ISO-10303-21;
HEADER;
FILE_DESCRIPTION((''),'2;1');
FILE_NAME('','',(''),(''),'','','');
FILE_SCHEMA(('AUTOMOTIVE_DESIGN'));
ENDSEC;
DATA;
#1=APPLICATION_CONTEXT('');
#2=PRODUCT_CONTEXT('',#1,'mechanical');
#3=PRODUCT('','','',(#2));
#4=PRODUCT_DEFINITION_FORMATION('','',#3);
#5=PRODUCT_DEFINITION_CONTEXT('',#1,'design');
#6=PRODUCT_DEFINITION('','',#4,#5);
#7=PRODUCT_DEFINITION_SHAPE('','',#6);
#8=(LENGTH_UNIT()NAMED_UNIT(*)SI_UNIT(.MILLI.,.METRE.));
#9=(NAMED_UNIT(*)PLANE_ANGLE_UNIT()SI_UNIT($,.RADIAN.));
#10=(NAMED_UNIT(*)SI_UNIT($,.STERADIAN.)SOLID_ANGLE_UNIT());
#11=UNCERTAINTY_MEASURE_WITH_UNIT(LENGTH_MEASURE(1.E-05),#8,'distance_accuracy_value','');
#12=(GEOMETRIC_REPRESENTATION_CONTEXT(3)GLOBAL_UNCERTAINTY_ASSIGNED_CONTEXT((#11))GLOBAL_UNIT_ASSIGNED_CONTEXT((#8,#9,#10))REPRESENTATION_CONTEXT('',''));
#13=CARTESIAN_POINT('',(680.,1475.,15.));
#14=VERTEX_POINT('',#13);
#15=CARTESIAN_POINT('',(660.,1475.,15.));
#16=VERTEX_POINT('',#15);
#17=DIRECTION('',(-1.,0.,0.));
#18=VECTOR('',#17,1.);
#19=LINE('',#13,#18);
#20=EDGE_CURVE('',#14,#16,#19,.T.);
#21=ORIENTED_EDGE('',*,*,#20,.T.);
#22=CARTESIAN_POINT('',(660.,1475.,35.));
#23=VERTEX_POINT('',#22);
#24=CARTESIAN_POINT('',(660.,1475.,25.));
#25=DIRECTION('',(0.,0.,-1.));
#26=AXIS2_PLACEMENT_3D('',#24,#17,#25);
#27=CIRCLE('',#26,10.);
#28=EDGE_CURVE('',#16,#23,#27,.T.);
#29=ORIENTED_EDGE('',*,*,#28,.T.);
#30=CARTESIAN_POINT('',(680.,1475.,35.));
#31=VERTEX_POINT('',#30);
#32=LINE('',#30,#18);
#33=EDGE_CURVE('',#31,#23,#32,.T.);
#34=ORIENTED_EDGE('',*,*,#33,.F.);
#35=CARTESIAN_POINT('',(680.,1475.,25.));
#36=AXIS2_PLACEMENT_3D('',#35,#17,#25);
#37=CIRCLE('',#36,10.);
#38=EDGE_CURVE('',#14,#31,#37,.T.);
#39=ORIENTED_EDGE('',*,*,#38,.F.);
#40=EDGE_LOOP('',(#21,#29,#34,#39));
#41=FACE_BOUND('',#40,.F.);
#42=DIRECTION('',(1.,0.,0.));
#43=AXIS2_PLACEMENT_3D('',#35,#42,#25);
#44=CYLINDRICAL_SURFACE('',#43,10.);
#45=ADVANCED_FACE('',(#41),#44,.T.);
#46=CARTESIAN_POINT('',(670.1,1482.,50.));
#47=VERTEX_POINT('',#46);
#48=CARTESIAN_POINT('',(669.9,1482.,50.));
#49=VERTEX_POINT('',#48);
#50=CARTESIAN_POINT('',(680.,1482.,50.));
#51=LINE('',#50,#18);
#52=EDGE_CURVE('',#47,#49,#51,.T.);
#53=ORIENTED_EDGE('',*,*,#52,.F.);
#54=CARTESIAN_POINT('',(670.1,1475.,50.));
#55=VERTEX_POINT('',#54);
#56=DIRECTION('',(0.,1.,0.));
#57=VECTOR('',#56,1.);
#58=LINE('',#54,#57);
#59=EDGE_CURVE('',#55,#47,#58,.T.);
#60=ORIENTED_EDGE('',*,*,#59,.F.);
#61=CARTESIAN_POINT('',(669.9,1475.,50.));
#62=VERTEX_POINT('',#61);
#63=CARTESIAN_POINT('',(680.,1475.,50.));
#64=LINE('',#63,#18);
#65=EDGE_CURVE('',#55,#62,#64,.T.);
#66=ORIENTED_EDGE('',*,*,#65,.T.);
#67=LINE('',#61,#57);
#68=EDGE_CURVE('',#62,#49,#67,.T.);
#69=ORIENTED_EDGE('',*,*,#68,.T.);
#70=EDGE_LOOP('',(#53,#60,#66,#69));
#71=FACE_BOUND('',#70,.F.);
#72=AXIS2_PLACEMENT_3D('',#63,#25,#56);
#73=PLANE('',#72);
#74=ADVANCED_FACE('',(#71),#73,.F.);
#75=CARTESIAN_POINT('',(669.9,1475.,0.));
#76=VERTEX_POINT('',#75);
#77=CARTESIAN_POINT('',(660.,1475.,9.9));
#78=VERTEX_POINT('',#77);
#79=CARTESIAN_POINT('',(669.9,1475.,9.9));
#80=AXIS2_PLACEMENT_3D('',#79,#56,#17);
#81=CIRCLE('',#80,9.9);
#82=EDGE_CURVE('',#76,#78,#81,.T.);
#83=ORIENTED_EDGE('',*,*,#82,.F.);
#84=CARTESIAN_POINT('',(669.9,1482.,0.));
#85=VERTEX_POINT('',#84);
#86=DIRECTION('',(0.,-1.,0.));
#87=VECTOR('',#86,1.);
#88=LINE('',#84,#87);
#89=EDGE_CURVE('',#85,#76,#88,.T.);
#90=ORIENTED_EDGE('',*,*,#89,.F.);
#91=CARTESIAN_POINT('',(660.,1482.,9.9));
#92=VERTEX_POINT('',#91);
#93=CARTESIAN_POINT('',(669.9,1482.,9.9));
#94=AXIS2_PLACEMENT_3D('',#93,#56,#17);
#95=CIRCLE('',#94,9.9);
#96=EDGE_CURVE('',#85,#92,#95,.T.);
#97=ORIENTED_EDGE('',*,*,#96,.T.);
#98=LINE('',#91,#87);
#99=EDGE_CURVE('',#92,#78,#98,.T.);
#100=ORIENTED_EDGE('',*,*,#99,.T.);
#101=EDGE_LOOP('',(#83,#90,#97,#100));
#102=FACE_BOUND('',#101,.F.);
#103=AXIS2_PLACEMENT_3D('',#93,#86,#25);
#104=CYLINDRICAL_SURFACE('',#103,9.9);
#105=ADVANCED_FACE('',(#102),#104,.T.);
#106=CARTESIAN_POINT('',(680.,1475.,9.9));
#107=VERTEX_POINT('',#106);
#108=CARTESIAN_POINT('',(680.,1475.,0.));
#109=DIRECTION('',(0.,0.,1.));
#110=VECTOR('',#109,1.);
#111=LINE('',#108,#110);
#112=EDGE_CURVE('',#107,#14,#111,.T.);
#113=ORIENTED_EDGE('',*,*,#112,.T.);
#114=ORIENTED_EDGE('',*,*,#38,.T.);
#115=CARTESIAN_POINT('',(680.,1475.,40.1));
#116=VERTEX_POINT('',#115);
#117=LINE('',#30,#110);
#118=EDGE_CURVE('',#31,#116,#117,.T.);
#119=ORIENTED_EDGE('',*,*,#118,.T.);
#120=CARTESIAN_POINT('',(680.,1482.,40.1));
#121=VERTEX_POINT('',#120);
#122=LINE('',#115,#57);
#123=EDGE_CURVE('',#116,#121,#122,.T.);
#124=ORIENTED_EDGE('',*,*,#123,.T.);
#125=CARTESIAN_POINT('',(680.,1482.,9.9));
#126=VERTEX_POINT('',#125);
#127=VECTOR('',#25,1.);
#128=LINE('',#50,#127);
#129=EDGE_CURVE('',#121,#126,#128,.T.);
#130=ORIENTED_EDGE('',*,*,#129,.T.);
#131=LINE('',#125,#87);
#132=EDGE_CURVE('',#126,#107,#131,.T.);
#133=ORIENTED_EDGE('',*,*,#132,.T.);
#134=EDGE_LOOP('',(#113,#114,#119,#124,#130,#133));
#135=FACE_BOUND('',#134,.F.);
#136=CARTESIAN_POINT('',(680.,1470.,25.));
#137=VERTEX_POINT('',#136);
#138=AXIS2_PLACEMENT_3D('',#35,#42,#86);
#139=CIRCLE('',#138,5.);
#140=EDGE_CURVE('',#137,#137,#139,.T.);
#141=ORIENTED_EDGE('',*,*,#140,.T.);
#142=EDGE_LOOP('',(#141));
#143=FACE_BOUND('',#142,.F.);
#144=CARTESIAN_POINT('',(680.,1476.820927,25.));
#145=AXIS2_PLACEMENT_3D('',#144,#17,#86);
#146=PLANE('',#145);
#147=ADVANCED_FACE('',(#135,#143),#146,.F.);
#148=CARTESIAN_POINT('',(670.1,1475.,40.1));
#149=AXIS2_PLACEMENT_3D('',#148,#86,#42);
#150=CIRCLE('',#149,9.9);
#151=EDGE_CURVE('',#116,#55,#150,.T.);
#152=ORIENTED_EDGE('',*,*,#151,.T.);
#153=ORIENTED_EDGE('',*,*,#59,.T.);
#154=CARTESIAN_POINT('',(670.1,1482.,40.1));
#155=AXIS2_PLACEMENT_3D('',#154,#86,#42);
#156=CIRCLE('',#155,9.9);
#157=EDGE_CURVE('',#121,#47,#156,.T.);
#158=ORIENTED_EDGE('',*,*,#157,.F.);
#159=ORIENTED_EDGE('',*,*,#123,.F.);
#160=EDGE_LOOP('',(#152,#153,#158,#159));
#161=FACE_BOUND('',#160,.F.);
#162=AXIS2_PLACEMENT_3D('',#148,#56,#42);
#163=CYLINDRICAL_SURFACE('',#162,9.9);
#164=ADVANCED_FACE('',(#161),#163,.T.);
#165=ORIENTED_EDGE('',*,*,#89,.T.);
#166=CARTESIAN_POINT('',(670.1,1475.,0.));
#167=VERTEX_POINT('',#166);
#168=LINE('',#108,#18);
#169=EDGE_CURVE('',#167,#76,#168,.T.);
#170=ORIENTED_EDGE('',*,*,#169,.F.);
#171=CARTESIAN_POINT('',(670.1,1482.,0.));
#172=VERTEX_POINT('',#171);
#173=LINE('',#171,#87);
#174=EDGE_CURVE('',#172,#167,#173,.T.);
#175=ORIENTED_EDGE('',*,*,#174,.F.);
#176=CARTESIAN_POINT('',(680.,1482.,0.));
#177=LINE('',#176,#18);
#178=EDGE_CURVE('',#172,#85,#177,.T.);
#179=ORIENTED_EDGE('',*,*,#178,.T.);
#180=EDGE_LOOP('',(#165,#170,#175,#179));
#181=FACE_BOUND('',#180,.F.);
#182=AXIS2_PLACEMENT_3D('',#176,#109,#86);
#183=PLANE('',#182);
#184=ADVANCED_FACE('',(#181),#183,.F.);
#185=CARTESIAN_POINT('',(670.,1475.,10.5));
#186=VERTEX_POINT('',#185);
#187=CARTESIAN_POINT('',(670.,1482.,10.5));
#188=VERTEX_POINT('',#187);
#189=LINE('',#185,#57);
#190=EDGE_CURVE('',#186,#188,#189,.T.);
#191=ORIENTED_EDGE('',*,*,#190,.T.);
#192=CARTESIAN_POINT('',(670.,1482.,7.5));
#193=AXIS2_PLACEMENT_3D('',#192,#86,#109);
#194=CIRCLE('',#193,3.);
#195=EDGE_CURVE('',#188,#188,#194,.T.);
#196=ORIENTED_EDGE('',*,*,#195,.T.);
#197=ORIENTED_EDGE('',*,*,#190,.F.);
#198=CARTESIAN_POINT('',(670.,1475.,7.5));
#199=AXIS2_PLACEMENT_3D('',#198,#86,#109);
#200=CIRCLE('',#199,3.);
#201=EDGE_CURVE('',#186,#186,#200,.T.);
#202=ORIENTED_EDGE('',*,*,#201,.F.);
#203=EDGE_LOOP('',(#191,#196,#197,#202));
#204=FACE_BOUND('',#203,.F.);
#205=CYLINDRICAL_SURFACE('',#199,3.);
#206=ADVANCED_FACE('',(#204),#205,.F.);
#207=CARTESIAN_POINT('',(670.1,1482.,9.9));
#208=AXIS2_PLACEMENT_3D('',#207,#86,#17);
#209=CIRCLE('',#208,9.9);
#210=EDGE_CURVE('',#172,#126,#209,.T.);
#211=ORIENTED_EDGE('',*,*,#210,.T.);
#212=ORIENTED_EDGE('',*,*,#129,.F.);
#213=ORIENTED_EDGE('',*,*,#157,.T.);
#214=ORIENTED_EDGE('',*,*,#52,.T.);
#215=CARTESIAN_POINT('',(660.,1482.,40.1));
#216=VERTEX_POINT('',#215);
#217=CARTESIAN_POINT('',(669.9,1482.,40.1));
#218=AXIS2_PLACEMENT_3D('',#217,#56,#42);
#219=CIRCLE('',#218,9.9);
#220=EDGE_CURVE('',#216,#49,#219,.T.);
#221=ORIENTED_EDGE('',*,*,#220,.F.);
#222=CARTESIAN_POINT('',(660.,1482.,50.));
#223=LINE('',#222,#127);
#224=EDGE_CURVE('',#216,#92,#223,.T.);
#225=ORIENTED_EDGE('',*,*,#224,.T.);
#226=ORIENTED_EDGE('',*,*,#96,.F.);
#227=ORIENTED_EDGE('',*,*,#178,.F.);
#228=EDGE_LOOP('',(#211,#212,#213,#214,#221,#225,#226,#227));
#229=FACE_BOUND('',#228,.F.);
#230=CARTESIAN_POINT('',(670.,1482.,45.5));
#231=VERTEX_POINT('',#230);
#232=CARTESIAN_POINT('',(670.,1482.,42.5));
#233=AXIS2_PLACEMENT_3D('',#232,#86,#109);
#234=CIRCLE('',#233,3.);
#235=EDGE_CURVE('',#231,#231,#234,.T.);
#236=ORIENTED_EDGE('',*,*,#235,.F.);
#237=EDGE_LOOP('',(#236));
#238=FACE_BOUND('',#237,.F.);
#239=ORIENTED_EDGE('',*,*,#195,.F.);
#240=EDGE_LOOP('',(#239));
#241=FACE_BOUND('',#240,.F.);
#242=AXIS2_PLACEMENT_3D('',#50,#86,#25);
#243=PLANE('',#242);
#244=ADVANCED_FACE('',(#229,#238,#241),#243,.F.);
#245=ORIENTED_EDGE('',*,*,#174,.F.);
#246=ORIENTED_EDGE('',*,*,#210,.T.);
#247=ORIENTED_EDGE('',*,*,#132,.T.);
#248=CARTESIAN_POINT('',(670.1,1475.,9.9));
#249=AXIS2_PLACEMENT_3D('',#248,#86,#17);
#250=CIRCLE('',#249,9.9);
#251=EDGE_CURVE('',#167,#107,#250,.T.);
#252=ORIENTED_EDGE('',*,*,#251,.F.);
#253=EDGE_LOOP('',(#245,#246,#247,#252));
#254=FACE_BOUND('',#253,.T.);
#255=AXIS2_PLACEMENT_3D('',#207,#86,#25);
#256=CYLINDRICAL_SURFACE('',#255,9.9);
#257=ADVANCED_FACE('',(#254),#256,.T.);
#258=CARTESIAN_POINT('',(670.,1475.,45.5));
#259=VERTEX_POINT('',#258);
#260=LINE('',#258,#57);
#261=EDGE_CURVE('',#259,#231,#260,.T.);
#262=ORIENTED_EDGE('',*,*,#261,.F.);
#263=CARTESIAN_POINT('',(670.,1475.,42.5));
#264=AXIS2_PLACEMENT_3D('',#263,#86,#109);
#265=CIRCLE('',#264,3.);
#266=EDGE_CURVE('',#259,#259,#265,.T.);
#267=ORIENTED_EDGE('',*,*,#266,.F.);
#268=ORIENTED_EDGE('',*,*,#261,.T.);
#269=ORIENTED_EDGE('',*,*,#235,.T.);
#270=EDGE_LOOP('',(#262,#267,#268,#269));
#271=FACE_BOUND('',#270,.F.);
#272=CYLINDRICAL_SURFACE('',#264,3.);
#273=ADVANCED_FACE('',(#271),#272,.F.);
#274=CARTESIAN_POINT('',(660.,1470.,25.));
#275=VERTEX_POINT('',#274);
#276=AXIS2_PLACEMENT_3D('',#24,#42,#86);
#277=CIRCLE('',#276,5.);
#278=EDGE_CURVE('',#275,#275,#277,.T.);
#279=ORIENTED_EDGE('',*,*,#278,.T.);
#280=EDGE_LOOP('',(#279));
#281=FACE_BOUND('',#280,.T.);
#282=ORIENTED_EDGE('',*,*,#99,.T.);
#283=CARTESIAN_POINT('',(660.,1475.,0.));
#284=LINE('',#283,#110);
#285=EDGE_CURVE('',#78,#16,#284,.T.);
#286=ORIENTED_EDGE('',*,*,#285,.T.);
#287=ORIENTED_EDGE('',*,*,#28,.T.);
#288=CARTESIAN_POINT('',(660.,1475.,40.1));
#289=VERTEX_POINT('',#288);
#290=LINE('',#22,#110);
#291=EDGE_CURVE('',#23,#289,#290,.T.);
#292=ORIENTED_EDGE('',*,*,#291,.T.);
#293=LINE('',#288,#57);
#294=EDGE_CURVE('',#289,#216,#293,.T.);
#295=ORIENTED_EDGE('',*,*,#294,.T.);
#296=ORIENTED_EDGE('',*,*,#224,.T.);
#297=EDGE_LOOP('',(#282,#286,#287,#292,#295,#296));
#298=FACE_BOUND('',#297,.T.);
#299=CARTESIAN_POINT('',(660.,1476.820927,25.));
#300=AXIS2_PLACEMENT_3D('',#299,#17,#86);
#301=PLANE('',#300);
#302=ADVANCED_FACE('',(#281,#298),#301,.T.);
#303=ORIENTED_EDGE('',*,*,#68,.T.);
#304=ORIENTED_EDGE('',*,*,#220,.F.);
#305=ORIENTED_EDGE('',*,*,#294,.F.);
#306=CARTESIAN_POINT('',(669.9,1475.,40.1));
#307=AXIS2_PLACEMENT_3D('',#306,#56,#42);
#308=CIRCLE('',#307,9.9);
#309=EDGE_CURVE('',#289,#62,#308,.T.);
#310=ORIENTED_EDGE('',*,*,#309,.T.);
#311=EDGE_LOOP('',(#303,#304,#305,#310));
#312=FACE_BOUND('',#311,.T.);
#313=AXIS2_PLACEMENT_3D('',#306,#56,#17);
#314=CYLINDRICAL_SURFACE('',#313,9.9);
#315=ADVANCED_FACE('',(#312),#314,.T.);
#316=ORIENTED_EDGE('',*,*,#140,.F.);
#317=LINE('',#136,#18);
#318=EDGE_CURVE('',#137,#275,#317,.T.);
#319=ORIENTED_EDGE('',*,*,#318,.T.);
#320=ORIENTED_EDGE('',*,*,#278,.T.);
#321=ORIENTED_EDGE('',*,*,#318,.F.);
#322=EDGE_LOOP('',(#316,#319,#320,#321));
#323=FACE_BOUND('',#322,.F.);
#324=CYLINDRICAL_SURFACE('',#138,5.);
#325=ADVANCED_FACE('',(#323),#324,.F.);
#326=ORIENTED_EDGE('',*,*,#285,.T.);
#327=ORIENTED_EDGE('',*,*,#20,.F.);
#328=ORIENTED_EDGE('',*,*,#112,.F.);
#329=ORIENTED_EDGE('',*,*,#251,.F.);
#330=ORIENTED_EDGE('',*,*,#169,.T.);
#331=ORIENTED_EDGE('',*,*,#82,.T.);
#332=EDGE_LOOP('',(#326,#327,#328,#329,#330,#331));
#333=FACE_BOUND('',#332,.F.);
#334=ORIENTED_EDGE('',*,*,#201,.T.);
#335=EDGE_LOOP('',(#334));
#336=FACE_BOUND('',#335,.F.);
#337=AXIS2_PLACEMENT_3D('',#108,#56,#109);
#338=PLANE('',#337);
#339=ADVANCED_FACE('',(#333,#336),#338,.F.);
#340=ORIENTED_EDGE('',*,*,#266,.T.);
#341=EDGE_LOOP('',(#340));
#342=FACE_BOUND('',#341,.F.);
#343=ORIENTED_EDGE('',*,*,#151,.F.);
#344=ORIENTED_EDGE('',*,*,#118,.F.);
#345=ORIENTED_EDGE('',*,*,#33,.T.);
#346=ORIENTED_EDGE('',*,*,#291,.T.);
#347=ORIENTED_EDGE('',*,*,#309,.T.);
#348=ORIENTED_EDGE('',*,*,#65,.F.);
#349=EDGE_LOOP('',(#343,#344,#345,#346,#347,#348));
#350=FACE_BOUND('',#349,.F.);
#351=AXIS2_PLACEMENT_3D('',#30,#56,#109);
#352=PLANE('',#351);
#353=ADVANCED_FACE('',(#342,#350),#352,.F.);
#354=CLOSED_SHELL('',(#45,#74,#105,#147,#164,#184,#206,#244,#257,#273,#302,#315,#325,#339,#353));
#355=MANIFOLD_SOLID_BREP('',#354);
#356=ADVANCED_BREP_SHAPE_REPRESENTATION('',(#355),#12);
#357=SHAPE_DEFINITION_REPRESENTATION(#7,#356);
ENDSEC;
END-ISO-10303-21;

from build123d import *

# Parameters (mm, degrees)
PAD030_DEPTH             = 20
SKETCH021_R              = 5
POCKET001006_DEPTH       = 20.001
FILLET_R                 = 9.9
SKETCH024_R              = 3
POCKET002_DEPTH          = 7.001
CLONE076_ROLL_ANGLE      = 90
CLONE076_PLACEMENT_ANGLE = -90


with BuildPart() as part:
    # Sketch020 → Pad030 (new body)
    with BuildSketch(Plane.XY):
        with BuildLine():
            Line((18, 0), (25, 0))
            Line((25, 0), (25, 15))
            ThreePointArc((25, 15), (35, 25), (25, 35))
            Line((25, 35), (25, 50))
            Line((25, 50), (18, 50))
            Line((18, 50), (18, 0))
        make_face()
    extrude(amount=PAD030_DEPTH)

    # Sketch021 → Pocket001006 (cut, through all)
    with BuildSketch(Plane(origin=(0, 0, 0), x_dir=(1, 0, 0), z_dir=(0, 0, -1))):
        with Locations((25, -25)):
            Circle(SKETCH021_R)
    extrude(amount=-POCKET001006_DEPTH, mode=Mode.SUBTRACT)

    # Fillet
    fillet_edges = [part.edges().sort_by_distance(p)[0] for p in [
        (21.5, 0, 0),
        (21.5, 50, 0),
        (21.5, 50, 20),
        (21.5, 0, 20),
    ]]
    fillet(fillet_edges, radius=FILLET_R)

    # Sketch024 → Pocket002 (cut, through all)
    with BuildSketch(Plane.YZ.offset(25)):
        with Locations((7.5, 10)):
            Circle(SKETCH024_R)
        with Locations((42.5, 10)):
            Circle(SKETCH024_R)
    extrude(amount=-POCKET002_DEPTH, mode=Mode.SUBTRACT)


with BuildPart() as part_1:
    # Clone076 roll: moved
    add(part.part.rotate(Axis((0, 0, 0), (1, 0, 0)), CLONE076_ROLL_ANGLE))


with BuildPart() as part_2:
    # Clone076 placement: moved
    add(part_1.part.moved(Location((120.75, 1500, 0))).rotate(Axis((120.75, 1500, 0), (0, 0, 1)), CLONE076_PLACEMENT_ANGLE))


with BuildPart() as part_3:
    # Clone081 placement: moved
    add(part_2.part.moved(Location((559.25, 0, 0))))


solid = part_3.part
